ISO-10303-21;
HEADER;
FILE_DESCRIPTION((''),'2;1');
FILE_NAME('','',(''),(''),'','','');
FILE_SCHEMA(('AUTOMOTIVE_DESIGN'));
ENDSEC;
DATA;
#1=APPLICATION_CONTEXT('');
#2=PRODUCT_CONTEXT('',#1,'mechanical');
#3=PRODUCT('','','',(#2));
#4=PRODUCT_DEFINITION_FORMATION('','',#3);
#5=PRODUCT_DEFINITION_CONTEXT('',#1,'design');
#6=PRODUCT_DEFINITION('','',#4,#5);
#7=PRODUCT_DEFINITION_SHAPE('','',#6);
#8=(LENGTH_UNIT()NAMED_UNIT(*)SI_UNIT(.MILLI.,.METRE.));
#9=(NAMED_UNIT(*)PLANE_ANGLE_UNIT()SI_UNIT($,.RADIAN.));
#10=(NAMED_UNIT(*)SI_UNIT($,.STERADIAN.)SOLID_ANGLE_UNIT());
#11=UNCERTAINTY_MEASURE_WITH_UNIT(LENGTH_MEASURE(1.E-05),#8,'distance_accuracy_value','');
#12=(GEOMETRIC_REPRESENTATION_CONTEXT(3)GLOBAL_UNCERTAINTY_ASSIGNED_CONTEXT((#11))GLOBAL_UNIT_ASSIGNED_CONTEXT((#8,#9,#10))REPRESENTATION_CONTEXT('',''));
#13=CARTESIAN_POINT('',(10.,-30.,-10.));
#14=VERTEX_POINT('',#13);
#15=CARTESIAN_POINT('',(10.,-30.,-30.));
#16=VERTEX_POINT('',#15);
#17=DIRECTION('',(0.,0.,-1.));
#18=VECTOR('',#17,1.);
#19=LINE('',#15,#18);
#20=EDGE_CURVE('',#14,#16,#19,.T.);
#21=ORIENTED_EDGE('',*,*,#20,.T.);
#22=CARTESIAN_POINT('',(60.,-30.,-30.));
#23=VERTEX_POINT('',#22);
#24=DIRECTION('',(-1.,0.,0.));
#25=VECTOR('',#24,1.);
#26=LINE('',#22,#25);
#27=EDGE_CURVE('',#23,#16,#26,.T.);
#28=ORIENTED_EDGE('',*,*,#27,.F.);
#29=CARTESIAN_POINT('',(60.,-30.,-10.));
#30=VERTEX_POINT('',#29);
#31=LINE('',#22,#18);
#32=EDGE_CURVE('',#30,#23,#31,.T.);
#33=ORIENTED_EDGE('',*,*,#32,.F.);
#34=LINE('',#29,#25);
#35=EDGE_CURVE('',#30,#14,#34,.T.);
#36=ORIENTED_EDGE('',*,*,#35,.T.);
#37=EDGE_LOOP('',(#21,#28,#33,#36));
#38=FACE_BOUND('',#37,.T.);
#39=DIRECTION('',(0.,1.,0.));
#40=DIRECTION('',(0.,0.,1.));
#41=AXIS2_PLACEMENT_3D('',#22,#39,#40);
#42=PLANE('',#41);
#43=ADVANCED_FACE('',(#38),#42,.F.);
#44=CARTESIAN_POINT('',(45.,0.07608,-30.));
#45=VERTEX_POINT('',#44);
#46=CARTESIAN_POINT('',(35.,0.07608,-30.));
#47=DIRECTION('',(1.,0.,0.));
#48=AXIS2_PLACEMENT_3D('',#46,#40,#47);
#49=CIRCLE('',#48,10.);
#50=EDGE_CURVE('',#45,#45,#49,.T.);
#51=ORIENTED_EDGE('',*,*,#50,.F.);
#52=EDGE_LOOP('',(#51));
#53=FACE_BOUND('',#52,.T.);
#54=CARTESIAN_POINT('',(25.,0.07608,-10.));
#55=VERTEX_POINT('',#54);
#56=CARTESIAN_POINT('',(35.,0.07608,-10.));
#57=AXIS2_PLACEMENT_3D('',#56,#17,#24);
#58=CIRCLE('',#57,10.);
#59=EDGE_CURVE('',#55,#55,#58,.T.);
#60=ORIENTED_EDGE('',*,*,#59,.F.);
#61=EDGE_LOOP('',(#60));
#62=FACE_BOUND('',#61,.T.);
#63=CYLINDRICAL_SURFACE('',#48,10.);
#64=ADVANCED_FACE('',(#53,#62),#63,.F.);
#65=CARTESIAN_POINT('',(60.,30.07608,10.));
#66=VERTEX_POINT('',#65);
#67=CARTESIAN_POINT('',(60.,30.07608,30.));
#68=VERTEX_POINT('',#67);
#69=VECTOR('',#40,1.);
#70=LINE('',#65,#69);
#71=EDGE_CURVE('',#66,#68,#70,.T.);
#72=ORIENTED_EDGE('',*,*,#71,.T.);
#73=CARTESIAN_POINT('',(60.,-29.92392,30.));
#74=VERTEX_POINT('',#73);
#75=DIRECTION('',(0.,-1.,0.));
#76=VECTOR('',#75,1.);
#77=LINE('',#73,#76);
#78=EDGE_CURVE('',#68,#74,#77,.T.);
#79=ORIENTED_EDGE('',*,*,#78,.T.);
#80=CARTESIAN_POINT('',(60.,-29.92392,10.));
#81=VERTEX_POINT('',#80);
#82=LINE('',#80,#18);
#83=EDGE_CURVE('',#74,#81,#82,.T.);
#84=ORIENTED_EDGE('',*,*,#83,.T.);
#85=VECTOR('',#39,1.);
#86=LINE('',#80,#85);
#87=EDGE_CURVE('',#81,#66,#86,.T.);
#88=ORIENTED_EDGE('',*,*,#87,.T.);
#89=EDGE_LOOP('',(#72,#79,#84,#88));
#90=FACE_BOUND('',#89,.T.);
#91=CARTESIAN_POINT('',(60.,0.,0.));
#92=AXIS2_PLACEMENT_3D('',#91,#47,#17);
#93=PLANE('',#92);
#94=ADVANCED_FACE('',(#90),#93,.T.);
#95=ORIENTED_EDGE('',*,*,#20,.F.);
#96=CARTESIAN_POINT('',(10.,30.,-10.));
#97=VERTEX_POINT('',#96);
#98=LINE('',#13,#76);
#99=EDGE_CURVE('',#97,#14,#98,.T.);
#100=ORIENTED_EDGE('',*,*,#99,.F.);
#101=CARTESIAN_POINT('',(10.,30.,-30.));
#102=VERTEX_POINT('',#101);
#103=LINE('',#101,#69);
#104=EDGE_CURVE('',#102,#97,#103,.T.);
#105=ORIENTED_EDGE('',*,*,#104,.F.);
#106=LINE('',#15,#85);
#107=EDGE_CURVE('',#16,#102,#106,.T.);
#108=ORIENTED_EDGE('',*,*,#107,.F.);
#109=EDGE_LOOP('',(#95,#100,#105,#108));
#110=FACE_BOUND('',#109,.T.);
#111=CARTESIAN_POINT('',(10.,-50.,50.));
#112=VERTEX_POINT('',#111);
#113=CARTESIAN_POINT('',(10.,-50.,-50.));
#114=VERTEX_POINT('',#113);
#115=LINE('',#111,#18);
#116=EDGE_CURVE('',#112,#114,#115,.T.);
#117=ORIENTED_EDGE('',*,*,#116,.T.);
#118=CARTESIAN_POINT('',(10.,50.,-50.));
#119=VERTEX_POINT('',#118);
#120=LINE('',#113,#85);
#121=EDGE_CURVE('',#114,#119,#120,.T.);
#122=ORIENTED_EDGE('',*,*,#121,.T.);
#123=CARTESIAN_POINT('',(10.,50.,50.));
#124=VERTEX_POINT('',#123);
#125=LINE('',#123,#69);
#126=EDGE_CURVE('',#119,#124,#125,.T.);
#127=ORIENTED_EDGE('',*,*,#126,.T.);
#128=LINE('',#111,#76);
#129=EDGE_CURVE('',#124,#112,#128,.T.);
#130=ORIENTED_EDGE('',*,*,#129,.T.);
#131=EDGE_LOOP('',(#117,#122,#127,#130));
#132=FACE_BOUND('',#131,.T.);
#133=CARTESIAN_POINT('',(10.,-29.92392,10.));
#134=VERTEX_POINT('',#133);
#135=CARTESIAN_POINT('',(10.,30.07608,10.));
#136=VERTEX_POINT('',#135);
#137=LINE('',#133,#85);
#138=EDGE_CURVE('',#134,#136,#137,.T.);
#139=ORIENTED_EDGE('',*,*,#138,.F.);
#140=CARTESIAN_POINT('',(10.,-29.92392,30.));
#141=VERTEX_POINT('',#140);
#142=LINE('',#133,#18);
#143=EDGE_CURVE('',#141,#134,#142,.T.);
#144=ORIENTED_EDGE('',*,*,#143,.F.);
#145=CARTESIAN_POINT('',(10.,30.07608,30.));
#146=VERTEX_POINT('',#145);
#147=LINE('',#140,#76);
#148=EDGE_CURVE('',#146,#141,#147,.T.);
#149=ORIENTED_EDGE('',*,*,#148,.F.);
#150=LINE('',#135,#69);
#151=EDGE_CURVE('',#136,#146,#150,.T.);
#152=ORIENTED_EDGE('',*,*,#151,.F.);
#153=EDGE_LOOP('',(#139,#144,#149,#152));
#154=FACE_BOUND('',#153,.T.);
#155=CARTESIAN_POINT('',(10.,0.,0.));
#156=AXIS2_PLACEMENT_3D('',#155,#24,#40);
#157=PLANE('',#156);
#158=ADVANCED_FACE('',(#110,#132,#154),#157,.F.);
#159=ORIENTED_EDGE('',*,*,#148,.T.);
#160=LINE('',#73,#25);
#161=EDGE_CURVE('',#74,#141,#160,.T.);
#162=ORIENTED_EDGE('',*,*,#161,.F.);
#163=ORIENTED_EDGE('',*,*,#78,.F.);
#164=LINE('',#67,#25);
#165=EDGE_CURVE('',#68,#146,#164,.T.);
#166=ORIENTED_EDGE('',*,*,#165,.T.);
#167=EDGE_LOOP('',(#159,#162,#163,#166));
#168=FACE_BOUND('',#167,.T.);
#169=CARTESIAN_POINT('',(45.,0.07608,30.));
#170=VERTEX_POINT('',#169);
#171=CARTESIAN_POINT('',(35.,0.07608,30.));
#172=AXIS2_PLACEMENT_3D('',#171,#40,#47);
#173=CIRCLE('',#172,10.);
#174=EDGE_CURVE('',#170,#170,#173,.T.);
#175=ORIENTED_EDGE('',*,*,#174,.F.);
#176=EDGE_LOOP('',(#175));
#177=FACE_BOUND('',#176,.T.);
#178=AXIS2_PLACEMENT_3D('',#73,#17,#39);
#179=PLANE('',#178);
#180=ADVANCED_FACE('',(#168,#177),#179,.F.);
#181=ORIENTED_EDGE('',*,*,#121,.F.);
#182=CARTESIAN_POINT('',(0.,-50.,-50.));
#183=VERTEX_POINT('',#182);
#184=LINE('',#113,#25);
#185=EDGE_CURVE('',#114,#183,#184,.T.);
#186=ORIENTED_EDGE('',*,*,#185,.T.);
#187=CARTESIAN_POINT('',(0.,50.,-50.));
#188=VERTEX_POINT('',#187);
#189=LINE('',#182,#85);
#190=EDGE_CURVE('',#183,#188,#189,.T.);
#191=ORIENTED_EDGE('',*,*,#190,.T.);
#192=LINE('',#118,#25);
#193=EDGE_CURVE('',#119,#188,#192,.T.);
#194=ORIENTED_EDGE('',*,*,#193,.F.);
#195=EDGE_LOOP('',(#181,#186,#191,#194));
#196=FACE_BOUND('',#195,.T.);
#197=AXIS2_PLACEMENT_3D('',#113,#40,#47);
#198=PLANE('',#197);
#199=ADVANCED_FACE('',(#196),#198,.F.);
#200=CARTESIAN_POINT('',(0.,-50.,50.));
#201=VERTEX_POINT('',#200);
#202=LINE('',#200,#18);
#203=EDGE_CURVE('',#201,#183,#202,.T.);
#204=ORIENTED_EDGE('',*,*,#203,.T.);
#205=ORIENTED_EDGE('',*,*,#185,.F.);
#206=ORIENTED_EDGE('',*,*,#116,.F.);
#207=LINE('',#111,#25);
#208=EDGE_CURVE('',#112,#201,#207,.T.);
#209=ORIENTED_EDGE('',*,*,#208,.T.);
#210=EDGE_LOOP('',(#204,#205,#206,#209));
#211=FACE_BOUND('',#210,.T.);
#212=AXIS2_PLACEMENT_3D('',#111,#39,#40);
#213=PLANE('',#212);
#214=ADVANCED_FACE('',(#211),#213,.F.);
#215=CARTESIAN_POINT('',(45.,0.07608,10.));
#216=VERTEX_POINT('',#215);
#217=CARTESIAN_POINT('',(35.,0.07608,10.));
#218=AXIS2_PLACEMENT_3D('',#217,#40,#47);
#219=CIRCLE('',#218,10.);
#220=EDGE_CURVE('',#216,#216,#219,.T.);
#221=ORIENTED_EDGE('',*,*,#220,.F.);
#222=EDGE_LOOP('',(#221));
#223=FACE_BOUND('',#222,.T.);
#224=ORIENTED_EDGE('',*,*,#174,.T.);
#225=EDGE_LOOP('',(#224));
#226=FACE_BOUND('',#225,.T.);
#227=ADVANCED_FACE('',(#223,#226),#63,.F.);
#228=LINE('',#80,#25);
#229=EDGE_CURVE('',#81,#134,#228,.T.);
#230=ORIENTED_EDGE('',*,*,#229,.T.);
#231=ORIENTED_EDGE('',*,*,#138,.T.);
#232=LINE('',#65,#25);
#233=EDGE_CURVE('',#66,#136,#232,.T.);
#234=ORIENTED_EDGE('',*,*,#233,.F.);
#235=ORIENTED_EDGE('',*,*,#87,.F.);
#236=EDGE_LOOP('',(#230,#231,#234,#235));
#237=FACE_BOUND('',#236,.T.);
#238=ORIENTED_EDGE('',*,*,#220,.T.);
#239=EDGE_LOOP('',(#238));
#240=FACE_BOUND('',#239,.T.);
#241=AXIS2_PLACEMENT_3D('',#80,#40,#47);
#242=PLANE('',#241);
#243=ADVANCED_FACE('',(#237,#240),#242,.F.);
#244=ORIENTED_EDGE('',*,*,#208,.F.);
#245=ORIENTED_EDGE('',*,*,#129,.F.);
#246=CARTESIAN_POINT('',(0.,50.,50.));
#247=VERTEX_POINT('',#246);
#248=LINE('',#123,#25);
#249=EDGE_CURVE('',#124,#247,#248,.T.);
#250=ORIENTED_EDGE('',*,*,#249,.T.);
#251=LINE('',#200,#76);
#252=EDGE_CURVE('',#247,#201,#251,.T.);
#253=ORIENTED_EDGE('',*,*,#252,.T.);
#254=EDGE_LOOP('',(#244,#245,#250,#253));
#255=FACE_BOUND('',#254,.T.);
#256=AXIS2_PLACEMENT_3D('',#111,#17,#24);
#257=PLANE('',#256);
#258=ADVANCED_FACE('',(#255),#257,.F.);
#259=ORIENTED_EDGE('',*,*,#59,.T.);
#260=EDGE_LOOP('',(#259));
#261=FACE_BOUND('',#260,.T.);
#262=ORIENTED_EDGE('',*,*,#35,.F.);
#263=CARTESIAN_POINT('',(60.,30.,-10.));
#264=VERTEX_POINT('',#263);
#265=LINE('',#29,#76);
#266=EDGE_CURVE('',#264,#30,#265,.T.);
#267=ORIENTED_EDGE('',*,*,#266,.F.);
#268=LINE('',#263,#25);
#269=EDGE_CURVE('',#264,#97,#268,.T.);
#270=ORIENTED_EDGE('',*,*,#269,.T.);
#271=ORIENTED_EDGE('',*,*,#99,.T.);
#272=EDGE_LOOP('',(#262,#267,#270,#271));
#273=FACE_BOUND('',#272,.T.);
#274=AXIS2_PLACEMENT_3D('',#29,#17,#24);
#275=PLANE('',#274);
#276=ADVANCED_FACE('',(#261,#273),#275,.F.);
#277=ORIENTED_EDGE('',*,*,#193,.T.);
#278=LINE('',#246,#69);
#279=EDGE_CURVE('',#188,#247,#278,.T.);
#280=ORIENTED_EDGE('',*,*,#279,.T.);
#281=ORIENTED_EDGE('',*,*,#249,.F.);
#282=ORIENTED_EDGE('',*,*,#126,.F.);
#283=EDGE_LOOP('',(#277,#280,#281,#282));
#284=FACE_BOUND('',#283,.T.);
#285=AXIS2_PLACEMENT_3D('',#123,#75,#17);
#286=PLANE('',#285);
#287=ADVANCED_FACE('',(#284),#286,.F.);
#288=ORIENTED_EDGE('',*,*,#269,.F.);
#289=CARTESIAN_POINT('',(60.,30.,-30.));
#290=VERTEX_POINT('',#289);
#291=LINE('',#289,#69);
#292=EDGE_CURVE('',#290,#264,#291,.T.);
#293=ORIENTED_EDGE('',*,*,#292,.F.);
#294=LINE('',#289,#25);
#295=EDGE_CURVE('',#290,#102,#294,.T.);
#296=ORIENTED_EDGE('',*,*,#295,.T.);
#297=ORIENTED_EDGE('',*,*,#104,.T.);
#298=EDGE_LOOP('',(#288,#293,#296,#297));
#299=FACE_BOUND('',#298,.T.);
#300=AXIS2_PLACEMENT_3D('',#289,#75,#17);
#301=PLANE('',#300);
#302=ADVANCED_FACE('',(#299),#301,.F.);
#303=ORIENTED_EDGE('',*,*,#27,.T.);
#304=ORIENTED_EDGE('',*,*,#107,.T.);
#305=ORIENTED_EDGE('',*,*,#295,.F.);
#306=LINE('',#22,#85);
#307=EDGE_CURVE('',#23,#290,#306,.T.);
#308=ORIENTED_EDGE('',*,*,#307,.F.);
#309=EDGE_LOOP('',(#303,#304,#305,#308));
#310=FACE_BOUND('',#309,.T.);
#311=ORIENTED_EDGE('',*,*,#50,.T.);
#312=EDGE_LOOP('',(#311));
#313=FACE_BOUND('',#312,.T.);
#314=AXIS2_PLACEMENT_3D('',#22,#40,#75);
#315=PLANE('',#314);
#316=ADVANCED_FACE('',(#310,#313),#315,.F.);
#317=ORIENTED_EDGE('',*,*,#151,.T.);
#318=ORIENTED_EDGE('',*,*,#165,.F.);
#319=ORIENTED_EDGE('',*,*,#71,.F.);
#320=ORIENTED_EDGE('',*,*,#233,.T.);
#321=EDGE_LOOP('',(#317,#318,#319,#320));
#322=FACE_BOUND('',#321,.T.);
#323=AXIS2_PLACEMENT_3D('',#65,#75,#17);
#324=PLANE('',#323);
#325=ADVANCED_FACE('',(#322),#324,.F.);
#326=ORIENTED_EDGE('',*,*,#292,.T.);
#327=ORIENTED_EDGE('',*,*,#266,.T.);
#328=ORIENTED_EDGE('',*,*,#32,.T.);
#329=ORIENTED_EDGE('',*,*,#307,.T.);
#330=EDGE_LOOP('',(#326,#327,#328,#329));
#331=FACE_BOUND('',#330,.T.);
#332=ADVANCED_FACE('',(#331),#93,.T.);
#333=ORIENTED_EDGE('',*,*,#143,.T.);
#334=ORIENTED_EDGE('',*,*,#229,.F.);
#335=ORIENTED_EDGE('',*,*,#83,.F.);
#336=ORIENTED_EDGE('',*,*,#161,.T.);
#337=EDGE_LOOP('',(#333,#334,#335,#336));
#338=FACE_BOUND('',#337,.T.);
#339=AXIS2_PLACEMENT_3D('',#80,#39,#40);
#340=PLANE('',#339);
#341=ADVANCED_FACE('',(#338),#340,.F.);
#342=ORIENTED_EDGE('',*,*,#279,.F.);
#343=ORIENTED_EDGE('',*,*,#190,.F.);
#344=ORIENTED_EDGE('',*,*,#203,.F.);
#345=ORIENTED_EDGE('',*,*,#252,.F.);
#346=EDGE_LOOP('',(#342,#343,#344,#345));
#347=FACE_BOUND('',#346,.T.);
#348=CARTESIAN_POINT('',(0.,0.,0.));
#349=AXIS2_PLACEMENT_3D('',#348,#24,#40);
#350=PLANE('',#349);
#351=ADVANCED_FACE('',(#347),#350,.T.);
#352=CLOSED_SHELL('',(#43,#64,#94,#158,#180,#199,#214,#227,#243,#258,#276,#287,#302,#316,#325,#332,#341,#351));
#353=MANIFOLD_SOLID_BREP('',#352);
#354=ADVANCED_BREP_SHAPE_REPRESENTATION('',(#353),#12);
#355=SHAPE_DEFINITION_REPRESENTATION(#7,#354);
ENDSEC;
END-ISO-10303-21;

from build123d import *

# Parameters (mm, degrees)
SKETCH5_W           = 100
SKETCH5_H           = 100
BOSS_EXTRUDE3_DEPTH = 10
SKETCH6_W           = 20
SKETCH6_H           = 60
BOSS_EXTRUDE4_DEPTH = 50
SKETCH7_R           = 10
CUT_EXTRUDE2_DEPTH  = 60


with BuildPart() as part:
    # Sketch5 → Boss-Extrude3 (new body)
    with BuildSketch(Plane(origin=(0, 0, 0), x_dir=(0, 0, -1), z_dir=(1, 0, 0))):
        Rectangle(SKETCH5_W, SKETCH5_H)
    extrude(amount=BOSS_EXTRUDE3_DEPTH)

    # Sketch6 → Boss-Extrude4 (add)
    with BuildSketch(Plane(origin=(10, 0, 0), x_dir=(0, 0, -1), z_dir=(1, 0, 0))):
        with Locations((-20, 0.076080003)):
            Rectangle(SKETCH6_W, SKETCH6_H)
        with Locations((20, 0)):
            Rectangle(SKETCH6_W, SKETCH6_H)
    extrude(amount=BOSS_EXTRUDE4_DEPTH)

    # Sketch7 → Cut-Extrude2 (cut)
    with BuildSketch(Plane.XY.offset(30)):
        with Locations((35, 0.076080003)):
            Circle(SKETCH7_R)
    extrude(amount=-CUT_EXTRUDE2_DEPTH, mode=Mode.SUBTRACT)


solid = part.part
